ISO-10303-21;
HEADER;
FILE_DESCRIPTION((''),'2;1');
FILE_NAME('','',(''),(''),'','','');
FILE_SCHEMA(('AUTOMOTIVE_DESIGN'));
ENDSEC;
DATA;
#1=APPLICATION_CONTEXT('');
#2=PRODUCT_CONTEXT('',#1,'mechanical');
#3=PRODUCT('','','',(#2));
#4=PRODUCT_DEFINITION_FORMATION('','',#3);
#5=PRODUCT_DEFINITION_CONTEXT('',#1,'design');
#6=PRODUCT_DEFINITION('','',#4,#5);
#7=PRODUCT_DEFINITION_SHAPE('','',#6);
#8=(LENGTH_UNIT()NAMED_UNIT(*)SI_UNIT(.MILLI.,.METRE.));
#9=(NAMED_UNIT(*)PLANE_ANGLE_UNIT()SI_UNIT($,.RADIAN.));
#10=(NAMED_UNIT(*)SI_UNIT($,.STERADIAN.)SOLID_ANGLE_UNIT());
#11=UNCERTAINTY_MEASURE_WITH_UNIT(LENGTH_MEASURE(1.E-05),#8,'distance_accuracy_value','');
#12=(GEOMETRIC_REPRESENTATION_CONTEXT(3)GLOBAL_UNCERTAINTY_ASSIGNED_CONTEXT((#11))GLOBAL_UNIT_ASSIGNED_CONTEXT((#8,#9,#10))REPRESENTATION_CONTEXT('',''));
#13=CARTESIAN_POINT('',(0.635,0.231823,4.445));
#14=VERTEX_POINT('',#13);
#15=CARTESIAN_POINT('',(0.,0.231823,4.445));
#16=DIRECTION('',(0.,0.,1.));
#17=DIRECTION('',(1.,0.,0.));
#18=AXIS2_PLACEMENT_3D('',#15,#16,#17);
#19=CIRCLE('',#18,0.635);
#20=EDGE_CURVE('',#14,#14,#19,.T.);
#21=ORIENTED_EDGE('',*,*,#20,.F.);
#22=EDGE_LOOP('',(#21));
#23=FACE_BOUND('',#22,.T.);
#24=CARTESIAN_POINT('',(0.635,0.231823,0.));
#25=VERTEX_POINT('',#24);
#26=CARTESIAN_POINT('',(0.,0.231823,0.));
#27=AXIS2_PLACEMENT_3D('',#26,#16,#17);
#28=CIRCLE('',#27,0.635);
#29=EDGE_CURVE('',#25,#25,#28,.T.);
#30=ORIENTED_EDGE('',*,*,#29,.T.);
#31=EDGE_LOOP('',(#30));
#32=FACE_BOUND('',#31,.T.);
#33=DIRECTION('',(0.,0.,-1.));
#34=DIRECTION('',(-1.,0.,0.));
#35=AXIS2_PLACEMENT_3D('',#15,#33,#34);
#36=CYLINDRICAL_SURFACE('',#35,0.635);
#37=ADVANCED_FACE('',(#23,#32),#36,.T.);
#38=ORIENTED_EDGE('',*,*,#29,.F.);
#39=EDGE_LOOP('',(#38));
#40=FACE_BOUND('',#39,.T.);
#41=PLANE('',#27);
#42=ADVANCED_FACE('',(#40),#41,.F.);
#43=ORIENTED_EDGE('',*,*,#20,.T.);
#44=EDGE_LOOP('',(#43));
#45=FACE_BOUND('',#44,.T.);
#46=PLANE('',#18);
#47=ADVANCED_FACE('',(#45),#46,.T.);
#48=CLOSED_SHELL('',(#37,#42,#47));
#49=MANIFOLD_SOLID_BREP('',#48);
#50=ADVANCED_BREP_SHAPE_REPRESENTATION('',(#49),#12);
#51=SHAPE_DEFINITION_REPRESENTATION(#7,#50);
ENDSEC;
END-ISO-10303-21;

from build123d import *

# Parameters (mm, degrees)
SKETCH1_R           = 0.635
BOSS_EXTRUDE1_DEPTH = 4.445


with BuildPart() as part:
    # Sketch1 → Boss-Extrude1 (new body)
    with BuildSketch(Plane.XY):
        with Locations((0, 0.231823496)):
            Circle(SKETCH1_R)
    extrude(amount=BOSS_EXTRUDE1_DEPTH)


solid = part.part
